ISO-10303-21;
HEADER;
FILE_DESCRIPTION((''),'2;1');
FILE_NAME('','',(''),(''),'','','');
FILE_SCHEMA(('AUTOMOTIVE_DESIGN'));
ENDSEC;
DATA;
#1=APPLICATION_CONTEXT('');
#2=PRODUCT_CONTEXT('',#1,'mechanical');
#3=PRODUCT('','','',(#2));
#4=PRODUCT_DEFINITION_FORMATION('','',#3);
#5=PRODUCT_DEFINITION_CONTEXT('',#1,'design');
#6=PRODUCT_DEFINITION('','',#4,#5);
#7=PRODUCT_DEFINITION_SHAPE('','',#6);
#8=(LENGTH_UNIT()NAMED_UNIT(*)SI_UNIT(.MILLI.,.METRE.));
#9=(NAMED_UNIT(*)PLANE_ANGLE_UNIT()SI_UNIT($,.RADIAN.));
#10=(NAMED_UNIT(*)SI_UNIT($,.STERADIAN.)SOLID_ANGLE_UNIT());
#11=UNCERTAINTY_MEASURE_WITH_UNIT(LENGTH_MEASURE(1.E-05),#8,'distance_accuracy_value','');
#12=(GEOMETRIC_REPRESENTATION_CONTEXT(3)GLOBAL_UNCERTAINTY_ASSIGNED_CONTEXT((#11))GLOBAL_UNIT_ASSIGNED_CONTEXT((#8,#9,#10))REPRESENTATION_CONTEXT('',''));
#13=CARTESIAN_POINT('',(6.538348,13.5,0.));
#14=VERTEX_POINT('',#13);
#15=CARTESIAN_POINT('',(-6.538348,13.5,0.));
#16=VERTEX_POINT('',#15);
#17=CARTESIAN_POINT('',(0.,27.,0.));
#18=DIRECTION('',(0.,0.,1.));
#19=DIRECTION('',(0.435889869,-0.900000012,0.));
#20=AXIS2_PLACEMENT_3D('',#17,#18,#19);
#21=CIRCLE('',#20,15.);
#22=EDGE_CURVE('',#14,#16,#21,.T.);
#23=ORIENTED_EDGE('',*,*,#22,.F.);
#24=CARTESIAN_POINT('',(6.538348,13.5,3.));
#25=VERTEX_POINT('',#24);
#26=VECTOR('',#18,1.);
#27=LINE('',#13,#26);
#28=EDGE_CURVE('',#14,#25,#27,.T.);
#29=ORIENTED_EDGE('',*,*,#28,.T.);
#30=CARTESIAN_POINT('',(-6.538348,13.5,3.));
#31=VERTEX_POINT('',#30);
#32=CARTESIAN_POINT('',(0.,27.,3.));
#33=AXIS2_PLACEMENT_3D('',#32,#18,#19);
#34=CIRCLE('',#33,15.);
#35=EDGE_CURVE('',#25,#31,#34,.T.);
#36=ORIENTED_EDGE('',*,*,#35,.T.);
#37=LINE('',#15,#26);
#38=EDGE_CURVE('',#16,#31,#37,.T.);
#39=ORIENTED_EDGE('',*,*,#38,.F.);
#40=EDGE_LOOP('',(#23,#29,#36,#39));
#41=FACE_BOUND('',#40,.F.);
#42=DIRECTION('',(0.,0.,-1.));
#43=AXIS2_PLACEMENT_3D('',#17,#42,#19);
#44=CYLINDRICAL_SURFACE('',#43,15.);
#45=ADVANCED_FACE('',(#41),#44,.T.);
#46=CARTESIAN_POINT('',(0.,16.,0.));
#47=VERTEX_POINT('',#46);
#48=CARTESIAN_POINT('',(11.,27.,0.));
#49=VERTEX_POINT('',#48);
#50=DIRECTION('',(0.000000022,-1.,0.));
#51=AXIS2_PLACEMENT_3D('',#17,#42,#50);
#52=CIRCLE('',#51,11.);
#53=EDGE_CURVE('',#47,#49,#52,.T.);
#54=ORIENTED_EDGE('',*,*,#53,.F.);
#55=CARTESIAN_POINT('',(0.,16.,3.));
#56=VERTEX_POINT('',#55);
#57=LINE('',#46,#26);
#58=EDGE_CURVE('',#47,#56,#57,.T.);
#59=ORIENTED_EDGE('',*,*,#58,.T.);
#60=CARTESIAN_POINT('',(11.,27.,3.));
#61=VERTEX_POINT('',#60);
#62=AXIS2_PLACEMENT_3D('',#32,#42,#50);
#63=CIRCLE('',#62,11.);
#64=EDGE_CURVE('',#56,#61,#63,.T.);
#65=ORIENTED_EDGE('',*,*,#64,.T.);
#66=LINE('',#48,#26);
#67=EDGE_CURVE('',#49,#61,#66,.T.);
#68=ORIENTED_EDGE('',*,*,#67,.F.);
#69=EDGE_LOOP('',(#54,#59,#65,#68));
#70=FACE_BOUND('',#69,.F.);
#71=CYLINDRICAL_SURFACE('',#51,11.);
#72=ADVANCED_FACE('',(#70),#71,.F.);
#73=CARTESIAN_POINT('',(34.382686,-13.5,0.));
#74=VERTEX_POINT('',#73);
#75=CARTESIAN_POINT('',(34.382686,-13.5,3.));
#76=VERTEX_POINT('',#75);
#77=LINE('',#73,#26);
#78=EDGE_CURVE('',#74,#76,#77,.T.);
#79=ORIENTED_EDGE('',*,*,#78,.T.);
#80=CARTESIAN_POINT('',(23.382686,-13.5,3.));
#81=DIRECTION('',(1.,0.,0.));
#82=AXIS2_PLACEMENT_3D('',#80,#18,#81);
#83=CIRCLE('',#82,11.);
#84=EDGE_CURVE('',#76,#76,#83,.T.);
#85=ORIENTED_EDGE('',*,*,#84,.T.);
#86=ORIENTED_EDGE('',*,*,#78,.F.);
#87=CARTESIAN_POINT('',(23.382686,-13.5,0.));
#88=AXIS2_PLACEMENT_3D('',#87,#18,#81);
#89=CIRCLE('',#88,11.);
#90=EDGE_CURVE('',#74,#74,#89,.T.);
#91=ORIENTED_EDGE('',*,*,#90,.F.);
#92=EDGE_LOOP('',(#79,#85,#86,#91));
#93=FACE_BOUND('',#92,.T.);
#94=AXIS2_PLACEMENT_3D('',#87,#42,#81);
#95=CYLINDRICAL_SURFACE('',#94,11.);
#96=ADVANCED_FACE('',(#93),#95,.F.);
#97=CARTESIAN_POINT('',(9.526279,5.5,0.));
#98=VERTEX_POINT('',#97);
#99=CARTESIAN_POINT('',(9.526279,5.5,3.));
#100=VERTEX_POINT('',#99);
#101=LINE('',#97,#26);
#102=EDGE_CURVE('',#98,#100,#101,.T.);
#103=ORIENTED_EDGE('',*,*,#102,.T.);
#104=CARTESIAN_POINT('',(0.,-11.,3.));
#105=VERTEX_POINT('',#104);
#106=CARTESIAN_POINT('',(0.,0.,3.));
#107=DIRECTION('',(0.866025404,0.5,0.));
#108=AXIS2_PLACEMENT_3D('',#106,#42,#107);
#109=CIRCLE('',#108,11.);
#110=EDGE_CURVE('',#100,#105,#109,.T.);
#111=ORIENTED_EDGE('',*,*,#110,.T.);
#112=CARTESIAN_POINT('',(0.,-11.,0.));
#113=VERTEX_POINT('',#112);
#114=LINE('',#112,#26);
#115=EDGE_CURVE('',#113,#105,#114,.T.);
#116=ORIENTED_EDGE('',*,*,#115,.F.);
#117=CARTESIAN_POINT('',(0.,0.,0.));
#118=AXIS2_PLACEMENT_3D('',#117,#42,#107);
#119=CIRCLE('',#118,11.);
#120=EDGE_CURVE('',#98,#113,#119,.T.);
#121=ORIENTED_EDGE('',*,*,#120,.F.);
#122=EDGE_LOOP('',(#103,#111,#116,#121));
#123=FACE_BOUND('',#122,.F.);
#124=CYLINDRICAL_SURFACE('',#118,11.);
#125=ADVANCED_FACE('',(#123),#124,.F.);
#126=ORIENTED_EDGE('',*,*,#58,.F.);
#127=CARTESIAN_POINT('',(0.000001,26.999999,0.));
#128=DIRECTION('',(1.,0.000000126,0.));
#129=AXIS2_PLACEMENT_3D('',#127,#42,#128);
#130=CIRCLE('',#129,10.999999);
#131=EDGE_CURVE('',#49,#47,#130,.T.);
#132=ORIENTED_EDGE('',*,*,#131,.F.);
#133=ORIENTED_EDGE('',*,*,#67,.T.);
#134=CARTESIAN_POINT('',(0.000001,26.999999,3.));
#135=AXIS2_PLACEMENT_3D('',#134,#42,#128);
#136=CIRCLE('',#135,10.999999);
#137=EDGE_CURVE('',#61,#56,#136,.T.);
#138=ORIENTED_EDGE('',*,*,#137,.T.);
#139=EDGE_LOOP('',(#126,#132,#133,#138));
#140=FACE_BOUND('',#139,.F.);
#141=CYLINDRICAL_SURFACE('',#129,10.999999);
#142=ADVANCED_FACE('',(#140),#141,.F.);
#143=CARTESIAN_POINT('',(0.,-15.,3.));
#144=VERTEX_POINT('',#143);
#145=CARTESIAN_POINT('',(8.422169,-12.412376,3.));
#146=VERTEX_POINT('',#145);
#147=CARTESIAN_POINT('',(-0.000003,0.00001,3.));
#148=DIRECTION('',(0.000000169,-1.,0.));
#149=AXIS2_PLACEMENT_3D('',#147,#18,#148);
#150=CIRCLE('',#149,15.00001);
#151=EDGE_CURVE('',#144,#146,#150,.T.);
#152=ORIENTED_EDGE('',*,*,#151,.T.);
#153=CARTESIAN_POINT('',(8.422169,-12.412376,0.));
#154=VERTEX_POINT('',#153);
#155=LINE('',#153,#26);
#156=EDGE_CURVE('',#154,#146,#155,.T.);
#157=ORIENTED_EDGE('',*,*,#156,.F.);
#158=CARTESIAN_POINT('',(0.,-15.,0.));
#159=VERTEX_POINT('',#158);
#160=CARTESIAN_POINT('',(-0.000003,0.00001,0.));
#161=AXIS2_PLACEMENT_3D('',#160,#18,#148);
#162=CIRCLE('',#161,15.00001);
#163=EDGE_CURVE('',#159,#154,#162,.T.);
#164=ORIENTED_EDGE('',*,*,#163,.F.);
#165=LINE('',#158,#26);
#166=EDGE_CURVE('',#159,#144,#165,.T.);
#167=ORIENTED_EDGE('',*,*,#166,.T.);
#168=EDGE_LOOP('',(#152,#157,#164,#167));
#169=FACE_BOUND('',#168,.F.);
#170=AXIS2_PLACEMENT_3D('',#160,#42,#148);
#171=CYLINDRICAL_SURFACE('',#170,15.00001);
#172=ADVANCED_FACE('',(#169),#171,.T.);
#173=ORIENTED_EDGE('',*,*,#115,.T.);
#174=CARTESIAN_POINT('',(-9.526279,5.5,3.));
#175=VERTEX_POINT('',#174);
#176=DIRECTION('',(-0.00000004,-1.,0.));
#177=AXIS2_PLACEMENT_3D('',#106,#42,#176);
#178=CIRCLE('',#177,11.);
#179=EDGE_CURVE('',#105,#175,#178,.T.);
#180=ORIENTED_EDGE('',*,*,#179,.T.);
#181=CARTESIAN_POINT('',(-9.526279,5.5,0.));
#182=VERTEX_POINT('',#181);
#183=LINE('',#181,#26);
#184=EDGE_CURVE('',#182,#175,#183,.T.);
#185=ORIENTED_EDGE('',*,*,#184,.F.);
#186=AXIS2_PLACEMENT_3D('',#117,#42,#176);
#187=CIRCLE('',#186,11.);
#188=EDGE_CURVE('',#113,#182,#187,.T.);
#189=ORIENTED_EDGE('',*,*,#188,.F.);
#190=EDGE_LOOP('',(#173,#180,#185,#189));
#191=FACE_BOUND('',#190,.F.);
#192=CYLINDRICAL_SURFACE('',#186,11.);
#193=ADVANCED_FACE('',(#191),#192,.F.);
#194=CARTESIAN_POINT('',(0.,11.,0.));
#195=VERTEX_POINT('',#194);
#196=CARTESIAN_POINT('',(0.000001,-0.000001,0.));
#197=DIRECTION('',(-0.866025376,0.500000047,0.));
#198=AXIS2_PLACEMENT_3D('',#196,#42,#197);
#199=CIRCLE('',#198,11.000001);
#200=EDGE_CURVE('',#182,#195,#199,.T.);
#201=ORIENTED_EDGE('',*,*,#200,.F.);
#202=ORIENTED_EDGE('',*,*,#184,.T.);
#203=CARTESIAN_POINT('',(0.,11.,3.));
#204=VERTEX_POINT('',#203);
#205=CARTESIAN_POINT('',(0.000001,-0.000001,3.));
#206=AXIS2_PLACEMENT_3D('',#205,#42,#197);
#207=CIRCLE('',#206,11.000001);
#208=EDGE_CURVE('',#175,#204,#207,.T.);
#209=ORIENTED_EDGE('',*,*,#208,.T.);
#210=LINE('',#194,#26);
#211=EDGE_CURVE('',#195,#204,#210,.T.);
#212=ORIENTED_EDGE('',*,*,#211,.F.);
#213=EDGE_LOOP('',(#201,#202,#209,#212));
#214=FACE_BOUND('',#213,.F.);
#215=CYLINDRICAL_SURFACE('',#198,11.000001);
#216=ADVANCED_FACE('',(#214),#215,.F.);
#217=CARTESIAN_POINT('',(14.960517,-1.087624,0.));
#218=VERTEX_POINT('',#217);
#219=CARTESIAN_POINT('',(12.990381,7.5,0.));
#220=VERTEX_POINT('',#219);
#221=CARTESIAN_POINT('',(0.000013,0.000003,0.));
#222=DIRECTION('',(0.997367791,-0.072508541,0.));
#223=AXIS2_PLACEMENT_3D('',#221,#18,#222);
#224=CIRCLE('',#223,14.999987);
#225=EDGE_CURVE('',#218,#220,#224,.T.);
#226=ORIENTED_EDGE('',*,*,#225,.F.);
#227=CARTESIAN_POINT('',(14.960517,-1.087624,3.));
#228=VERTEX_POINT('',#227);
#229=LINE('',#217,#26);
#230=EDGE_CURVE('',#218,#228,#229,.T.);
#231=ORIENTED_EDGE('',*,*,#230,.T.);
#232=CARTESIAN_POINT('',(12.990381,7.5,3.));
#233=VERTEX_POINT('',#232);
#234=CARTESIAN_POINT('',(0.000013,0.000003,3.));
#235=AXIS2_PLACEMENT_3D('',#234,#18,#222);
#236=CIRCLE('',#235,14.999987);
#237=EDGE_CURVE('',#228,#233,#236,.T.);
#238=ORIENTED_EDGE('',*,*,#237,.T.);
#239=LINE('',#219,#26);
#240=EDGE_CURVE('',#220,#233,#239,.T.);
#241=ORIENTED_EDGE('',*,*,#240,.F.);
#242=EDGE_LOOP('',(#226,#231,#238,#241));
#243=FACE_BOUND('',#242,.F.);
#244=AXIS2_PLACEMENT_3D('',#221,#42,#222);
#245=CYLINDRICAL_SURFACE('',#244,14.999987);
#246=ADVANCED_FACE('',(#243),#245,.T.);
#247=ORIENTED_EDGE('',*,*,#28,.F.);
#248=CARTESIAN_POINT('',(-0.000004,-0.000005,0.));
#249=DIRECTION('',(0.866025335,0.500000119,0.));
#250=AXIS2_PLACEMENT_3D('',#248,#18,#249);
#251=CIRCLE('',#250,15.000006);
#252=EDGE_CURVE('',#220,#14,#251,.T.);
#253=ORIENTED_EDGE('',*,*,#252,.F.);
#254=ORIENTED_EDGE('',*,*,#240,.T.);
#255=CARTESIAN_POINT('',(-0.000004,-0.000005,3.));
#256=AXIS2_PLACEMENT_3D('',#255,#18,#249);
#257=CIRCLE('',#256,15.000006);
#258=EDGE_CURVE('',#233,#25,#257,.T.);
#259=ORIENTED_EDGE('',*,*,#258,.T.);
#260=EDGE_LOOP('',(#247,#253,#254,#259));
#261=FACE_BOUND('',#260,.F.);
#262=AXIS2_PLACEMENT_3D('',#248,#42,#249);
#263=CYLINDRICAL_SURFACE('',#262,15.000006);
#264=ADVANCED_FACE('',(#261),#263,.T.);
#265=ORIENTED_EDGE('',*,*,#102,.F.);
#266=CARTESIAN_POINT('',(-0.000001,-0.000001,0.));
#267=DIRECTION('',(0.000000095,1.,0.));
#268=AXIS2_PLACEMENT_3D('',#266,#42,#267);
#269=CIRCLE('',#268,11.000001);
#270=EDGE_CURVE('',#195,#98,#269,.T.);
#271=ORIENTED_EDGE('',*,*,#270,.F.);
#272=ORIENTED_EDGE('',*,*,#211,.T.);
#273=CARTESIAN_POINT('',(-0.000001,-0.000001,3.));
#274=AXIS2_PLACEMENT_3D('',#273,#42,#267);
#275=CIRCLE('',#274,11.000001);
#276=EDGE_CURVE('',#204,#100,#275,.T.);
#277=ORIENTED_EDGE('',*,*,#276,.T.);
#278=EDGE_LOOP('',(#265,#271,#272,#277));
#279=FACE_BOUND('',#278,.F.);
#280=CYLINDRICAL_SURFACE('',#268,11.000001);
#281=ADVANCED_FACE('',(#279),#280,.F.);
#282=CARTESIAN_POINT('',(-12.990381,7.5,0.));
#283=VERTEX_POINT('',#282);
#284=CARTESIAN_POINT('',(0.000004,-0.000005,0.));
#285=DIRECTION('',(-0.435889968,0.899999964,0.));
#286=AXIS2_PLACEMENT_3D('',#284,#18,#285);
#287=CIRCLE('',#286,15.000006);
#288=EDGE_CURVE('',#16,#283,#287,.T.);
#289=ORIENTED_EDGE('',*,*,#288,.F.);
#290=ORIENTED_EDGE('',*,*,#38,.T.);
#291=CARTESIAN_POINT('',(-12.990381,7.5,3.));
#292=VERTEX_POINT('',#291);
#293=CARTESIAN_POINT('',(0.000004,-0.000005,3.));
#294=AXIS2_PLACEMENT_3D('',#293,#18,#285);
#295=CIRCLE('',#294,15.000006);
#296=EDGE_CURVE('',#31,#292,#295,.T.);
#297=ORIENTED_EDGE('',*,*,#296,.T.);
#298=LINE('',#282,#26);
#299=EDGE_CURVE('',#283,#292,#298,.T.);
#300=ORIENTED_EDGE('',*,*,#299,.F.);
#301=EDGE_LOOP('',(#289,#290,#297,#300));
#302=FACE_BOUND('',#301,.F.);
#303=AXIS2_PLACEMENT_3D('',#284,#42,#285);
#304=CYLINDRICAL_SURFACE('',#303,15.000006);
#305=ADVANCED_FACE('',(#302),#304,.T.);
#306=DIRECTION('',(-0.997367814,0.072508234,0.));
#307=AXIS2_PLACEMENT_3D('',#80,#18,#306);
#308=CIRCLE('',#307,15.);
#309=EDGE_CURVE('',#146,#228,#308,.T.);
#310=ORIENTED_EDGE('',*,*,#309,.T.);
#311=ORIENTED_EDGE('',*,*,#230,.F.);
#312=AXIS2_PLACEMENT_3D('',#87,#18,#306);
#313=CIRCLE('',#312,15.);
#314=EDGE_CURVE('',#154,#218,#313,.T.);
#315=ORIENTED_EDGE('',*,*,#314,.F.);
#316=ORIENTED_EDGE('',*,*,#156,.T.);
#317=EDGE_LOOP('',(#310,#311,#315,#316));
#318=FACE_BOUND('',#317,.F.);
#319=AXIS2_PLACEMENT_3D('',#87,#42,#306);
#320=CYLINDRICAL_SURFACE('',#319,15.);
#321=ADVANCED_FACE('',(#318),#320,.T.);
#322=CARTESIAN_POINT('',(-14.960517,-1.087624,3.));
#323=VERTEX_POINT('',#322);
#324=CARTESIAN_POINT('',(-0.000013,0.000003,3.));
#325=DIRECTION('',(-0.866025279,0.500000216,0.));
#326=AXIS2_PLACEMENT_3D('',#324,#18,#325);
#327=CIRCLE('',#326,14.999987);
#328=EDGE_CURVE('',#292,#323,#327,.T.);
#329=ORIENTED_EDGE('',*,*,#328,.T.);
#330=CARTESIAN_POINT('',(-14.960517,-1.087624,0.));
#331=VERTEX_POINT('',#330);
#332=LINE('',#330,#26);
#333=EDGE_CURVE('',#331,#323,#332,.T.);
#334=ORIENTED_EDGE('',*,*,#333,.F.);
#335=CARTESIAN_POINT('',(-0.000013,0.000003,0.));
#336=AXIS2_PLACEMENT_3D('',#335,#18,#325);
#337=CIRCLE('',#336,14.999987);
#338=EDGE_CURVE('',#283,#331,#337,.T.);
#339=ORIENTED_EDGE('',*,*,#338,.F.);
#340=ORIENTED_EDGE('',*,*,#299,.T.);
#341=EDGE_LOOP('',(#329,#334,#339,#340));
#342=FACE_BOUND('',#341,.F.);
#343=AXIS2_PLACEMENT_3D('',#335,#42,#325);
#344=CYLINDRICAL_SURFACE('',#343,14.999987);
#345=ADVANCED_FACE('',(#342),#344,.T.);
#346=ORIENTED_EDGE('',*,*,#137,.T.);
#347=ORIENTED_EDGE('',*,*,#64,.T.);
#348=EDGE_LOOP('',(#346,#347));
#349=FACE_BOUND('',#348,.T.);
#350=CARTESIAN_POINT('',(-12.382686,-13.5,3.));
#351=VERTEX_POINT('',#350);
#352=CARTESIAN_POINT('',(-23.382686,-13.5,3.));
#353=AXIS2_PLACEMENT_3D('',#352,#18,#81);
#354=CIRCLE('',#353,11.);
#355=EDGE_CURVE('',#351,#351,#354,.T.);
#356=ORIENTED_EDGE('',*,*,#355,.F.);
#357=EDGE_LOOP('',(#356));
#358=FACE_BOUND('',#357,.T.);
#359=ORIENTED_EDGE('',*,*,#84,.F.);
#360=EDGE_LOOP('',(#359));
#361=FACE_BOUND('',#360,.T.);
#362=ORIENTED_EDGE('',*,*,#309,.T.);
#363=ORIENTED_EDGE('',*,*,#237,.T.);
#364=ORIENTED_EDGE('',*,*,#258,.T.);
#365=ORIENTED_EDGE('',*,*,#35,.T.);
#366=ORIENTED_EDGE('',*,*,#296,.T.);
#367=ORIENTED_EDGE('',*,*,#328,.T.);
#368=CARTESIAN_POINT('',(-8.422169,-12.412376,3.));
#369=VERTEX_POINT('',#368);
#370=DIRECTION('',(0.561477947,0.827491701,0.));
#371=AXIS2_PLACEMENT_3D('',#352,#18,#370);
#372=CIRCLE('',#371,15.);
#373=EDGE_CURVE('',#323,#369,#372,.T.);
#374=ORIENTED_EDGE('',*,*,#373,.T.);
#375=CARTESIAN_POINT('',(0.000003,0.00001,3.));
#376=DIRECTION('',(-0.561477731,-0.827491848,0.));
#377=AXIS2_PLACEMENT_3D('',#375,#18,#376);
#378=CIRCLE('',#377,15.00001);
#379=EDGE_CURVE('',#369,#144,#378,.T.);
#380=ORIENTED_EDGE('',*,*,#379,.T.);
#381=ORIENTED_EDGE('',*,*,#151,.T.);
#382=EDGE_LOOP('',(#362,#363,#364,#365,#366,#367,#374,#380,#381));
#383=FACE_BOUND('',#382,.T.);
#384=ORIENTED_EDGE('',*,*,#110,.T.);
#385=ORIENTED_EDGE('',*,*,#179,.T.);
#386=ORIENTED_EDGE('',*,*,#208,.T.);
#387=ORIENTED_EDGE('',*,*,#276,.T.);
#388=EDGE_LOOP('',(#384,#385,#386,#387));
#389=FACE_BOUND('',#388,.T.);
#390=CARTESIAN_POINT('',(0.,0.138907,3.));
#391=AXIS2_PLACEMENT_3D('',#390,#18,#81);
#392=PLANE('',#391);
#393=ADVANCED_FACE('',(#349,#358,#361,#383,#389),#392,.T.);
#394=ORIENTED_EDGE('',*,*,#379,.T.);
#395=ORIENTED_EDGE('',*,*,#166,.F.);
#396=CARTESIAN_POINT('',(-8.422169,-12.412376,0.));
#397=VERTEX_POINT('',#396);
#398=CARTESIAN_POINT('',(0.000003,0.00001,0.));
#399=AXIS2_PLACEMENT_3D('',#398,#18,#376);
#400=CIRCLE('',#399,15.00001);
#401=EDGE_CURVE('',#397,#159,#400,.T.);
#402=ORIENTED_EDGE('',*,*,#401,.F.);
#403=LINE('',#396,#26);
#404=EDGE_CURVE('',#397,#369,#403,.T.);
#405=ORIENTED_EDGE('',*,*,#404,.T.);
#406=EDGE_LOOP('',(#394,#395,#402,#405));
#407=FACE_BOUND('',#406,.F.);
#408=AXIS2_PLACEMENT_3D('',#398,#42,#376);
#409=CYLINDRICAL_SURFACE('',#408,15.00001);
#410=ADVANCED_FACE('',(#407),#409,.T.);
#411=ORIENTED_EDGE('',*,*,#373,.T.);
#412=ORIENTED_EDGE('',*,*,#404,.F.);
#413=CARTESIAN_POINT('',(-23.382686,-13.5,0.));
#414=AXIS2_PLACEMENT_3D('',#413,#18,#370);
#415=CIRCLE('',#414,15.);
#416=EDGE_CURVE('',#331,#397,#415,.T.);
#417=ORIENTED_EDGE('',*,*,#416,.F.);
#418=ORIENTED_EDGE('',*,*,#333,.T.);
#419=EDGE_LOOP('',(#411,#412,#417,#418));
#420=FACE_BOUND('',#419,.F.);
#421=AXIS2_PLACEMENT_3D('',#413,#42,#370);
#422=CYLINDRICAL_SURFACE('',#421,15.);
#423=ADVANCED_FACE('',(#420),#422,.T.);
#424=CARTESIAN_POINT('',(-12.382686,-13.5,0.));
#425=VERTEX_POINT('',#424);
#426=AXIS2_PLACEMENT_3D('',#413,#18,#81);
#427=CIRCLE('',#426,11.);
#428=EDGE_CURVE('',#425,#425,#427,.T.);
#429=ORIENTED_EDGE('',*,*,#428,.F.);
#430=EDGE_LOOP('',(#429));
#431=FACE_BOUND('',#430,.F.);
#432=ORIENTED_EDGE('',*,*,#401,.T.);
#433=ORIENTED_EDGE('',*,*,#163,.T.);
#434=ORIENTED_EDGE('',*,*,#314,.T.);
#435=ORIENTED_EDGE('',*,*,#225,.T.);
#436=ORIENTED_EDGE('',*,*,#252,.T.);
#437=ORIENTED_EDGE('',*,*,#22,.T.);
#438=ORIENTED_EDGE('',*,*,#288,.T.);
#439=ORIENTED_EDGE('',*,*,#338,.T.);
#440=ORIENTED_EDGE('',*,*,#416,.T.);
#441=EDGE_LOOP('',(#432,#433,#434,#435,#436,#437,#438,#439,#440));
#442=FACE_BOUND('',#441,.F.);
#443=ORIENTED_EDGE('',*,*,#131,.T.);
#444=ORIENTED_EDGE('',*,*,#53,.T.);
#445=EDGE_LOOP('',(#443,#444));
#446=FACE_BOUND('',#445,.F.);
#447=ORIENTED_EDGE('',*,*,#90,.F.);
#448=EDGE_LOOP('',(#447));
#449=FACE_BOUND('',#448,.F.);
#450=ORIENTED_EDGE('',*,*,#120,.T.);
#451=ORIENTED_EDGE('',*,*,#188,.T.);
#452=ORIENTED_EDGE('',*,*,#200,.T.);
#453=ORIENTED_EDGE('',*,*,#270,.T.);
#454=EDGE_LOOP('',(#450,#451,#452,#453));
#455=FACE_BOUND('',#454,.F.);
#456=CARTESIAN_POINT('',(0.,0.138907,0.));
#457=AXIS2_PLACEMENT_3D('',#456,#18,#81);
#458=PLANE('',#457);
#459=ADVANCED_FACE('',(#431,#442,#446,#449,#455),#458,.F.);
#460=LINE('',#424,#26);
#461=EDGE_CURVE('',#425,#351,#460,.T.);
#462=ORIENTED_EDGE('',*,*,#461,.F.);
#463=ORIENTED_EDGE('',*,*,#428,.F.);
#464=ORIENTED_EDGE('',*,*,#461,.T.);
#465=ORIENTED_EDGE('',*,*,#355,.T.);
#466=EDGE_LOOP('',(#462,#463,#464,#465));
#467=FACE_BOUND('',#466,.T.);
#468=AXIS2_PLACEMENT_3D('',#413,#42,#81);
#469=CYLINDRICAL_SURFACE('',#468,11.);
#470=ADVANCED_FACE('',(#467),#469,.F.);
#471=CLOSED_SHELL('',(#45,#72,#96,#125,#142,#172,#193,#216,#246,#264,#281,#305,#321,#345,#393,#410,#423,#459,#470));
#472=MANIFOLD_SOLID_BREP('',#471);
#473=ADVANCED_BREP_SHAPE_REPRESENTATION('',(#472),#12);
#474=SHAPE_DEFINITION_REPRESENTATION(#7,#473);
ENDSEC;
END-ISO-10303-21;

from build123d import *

# Parameters (mm, degrees)
F0_R     = 11
F1_DEPTH = 3


with BuildPart() as f1:
    # F0 (on Top) → F1 (new body)
    with BuildSketch(Plane.XY):
        with BuildLine():
            ThreePointArc((0, -11), (9.526279, -5.5), (9.526279, 5.5))
            ThreePointArc((9.526279, 5.5), (5.5, 9.526279), (0, 11))
            ThreePointArc((0, 11), (-5.5, 9.526279), (-9.526279, 5.5))
            ThreePointArc((-9.526279, 5.5), (-9.526279, -5.5), (0, -11))
        make_face()
        with BuildLine():
            ThreePointArc((11, 27), (-7.778175, 34.778175), (0, 16))
            ThreePointArc((0, 16), (7.778175, 19.221825), (11, 27))
        make_face()
        with BuildLine():
            ThreePointArc((14.960517, -1.087624), (14.620192, 3.354102), (12.990381, 7.5))
            ThreePointArc((12.990381, 7.5), (10.214833, 10.984406), (6.538348, 13.5))
            ThreePointArc((6.538348, 13.5), (0, 42), (-6.538348, 13.5))
            ThreePointArc((-6.538348, 13.5), (-10.214833, 10.984406), (-12.990381, 7.5))
            ThreePointArc((-12.990381, 7.5), (-14.620192, 3.354102), (-14.960517, -1.087624))
            ThreePointArc((-14.960517, -1.087624), (-36.373067, -21), (-8.422169, -12.412376))
            ThreePointArc((-8.422169, -12.412376), (-4.405358, -14.338508), (0, -15))
            ThreePointArc((0, -15), (4.405358, -14.338508), (8.422169, -12.412376))
            ThreePointArc((8.422169, -12.412376), (36.373067, -21), (14.960517, -1.087624))
        make_face()
        with Locations((-23.382686, -13.5)):
            Circle(F0_R, mode=Mode.SUBTRACT)
        with Locations((23.382686, -13.5)):
            Circle(F0_R, mode=Mode.SUBTRACT)
        with BuildLine():
            ThreePointArc((0, 11), (5.5, 9.526279), (9.526279, 5.5))
            ThreePointArc((9.526279, 5.5), (9.526279, -5.5), (0, -11))
            ThreePointArc((0, -11), (-9.526279, -5.5), (-9.526279, 5.5))
            ThreePointArc((-9.526279, 5.5), (-5.5, 9.526279), (0, 11))
        make_face(mode=Mode.SUBTRACT)
        with BuildLine():
            ThreePointArc((11, 27), (7.778175, 19.221825), (0, 16))
            ThreePointArc((0, 16), (-7.778175, 34.778175), (11, 27))
        make_face(mode=Mode.SUBTRACT)
    extrude(amount=F1_DEPTH)


solid = f1.part
